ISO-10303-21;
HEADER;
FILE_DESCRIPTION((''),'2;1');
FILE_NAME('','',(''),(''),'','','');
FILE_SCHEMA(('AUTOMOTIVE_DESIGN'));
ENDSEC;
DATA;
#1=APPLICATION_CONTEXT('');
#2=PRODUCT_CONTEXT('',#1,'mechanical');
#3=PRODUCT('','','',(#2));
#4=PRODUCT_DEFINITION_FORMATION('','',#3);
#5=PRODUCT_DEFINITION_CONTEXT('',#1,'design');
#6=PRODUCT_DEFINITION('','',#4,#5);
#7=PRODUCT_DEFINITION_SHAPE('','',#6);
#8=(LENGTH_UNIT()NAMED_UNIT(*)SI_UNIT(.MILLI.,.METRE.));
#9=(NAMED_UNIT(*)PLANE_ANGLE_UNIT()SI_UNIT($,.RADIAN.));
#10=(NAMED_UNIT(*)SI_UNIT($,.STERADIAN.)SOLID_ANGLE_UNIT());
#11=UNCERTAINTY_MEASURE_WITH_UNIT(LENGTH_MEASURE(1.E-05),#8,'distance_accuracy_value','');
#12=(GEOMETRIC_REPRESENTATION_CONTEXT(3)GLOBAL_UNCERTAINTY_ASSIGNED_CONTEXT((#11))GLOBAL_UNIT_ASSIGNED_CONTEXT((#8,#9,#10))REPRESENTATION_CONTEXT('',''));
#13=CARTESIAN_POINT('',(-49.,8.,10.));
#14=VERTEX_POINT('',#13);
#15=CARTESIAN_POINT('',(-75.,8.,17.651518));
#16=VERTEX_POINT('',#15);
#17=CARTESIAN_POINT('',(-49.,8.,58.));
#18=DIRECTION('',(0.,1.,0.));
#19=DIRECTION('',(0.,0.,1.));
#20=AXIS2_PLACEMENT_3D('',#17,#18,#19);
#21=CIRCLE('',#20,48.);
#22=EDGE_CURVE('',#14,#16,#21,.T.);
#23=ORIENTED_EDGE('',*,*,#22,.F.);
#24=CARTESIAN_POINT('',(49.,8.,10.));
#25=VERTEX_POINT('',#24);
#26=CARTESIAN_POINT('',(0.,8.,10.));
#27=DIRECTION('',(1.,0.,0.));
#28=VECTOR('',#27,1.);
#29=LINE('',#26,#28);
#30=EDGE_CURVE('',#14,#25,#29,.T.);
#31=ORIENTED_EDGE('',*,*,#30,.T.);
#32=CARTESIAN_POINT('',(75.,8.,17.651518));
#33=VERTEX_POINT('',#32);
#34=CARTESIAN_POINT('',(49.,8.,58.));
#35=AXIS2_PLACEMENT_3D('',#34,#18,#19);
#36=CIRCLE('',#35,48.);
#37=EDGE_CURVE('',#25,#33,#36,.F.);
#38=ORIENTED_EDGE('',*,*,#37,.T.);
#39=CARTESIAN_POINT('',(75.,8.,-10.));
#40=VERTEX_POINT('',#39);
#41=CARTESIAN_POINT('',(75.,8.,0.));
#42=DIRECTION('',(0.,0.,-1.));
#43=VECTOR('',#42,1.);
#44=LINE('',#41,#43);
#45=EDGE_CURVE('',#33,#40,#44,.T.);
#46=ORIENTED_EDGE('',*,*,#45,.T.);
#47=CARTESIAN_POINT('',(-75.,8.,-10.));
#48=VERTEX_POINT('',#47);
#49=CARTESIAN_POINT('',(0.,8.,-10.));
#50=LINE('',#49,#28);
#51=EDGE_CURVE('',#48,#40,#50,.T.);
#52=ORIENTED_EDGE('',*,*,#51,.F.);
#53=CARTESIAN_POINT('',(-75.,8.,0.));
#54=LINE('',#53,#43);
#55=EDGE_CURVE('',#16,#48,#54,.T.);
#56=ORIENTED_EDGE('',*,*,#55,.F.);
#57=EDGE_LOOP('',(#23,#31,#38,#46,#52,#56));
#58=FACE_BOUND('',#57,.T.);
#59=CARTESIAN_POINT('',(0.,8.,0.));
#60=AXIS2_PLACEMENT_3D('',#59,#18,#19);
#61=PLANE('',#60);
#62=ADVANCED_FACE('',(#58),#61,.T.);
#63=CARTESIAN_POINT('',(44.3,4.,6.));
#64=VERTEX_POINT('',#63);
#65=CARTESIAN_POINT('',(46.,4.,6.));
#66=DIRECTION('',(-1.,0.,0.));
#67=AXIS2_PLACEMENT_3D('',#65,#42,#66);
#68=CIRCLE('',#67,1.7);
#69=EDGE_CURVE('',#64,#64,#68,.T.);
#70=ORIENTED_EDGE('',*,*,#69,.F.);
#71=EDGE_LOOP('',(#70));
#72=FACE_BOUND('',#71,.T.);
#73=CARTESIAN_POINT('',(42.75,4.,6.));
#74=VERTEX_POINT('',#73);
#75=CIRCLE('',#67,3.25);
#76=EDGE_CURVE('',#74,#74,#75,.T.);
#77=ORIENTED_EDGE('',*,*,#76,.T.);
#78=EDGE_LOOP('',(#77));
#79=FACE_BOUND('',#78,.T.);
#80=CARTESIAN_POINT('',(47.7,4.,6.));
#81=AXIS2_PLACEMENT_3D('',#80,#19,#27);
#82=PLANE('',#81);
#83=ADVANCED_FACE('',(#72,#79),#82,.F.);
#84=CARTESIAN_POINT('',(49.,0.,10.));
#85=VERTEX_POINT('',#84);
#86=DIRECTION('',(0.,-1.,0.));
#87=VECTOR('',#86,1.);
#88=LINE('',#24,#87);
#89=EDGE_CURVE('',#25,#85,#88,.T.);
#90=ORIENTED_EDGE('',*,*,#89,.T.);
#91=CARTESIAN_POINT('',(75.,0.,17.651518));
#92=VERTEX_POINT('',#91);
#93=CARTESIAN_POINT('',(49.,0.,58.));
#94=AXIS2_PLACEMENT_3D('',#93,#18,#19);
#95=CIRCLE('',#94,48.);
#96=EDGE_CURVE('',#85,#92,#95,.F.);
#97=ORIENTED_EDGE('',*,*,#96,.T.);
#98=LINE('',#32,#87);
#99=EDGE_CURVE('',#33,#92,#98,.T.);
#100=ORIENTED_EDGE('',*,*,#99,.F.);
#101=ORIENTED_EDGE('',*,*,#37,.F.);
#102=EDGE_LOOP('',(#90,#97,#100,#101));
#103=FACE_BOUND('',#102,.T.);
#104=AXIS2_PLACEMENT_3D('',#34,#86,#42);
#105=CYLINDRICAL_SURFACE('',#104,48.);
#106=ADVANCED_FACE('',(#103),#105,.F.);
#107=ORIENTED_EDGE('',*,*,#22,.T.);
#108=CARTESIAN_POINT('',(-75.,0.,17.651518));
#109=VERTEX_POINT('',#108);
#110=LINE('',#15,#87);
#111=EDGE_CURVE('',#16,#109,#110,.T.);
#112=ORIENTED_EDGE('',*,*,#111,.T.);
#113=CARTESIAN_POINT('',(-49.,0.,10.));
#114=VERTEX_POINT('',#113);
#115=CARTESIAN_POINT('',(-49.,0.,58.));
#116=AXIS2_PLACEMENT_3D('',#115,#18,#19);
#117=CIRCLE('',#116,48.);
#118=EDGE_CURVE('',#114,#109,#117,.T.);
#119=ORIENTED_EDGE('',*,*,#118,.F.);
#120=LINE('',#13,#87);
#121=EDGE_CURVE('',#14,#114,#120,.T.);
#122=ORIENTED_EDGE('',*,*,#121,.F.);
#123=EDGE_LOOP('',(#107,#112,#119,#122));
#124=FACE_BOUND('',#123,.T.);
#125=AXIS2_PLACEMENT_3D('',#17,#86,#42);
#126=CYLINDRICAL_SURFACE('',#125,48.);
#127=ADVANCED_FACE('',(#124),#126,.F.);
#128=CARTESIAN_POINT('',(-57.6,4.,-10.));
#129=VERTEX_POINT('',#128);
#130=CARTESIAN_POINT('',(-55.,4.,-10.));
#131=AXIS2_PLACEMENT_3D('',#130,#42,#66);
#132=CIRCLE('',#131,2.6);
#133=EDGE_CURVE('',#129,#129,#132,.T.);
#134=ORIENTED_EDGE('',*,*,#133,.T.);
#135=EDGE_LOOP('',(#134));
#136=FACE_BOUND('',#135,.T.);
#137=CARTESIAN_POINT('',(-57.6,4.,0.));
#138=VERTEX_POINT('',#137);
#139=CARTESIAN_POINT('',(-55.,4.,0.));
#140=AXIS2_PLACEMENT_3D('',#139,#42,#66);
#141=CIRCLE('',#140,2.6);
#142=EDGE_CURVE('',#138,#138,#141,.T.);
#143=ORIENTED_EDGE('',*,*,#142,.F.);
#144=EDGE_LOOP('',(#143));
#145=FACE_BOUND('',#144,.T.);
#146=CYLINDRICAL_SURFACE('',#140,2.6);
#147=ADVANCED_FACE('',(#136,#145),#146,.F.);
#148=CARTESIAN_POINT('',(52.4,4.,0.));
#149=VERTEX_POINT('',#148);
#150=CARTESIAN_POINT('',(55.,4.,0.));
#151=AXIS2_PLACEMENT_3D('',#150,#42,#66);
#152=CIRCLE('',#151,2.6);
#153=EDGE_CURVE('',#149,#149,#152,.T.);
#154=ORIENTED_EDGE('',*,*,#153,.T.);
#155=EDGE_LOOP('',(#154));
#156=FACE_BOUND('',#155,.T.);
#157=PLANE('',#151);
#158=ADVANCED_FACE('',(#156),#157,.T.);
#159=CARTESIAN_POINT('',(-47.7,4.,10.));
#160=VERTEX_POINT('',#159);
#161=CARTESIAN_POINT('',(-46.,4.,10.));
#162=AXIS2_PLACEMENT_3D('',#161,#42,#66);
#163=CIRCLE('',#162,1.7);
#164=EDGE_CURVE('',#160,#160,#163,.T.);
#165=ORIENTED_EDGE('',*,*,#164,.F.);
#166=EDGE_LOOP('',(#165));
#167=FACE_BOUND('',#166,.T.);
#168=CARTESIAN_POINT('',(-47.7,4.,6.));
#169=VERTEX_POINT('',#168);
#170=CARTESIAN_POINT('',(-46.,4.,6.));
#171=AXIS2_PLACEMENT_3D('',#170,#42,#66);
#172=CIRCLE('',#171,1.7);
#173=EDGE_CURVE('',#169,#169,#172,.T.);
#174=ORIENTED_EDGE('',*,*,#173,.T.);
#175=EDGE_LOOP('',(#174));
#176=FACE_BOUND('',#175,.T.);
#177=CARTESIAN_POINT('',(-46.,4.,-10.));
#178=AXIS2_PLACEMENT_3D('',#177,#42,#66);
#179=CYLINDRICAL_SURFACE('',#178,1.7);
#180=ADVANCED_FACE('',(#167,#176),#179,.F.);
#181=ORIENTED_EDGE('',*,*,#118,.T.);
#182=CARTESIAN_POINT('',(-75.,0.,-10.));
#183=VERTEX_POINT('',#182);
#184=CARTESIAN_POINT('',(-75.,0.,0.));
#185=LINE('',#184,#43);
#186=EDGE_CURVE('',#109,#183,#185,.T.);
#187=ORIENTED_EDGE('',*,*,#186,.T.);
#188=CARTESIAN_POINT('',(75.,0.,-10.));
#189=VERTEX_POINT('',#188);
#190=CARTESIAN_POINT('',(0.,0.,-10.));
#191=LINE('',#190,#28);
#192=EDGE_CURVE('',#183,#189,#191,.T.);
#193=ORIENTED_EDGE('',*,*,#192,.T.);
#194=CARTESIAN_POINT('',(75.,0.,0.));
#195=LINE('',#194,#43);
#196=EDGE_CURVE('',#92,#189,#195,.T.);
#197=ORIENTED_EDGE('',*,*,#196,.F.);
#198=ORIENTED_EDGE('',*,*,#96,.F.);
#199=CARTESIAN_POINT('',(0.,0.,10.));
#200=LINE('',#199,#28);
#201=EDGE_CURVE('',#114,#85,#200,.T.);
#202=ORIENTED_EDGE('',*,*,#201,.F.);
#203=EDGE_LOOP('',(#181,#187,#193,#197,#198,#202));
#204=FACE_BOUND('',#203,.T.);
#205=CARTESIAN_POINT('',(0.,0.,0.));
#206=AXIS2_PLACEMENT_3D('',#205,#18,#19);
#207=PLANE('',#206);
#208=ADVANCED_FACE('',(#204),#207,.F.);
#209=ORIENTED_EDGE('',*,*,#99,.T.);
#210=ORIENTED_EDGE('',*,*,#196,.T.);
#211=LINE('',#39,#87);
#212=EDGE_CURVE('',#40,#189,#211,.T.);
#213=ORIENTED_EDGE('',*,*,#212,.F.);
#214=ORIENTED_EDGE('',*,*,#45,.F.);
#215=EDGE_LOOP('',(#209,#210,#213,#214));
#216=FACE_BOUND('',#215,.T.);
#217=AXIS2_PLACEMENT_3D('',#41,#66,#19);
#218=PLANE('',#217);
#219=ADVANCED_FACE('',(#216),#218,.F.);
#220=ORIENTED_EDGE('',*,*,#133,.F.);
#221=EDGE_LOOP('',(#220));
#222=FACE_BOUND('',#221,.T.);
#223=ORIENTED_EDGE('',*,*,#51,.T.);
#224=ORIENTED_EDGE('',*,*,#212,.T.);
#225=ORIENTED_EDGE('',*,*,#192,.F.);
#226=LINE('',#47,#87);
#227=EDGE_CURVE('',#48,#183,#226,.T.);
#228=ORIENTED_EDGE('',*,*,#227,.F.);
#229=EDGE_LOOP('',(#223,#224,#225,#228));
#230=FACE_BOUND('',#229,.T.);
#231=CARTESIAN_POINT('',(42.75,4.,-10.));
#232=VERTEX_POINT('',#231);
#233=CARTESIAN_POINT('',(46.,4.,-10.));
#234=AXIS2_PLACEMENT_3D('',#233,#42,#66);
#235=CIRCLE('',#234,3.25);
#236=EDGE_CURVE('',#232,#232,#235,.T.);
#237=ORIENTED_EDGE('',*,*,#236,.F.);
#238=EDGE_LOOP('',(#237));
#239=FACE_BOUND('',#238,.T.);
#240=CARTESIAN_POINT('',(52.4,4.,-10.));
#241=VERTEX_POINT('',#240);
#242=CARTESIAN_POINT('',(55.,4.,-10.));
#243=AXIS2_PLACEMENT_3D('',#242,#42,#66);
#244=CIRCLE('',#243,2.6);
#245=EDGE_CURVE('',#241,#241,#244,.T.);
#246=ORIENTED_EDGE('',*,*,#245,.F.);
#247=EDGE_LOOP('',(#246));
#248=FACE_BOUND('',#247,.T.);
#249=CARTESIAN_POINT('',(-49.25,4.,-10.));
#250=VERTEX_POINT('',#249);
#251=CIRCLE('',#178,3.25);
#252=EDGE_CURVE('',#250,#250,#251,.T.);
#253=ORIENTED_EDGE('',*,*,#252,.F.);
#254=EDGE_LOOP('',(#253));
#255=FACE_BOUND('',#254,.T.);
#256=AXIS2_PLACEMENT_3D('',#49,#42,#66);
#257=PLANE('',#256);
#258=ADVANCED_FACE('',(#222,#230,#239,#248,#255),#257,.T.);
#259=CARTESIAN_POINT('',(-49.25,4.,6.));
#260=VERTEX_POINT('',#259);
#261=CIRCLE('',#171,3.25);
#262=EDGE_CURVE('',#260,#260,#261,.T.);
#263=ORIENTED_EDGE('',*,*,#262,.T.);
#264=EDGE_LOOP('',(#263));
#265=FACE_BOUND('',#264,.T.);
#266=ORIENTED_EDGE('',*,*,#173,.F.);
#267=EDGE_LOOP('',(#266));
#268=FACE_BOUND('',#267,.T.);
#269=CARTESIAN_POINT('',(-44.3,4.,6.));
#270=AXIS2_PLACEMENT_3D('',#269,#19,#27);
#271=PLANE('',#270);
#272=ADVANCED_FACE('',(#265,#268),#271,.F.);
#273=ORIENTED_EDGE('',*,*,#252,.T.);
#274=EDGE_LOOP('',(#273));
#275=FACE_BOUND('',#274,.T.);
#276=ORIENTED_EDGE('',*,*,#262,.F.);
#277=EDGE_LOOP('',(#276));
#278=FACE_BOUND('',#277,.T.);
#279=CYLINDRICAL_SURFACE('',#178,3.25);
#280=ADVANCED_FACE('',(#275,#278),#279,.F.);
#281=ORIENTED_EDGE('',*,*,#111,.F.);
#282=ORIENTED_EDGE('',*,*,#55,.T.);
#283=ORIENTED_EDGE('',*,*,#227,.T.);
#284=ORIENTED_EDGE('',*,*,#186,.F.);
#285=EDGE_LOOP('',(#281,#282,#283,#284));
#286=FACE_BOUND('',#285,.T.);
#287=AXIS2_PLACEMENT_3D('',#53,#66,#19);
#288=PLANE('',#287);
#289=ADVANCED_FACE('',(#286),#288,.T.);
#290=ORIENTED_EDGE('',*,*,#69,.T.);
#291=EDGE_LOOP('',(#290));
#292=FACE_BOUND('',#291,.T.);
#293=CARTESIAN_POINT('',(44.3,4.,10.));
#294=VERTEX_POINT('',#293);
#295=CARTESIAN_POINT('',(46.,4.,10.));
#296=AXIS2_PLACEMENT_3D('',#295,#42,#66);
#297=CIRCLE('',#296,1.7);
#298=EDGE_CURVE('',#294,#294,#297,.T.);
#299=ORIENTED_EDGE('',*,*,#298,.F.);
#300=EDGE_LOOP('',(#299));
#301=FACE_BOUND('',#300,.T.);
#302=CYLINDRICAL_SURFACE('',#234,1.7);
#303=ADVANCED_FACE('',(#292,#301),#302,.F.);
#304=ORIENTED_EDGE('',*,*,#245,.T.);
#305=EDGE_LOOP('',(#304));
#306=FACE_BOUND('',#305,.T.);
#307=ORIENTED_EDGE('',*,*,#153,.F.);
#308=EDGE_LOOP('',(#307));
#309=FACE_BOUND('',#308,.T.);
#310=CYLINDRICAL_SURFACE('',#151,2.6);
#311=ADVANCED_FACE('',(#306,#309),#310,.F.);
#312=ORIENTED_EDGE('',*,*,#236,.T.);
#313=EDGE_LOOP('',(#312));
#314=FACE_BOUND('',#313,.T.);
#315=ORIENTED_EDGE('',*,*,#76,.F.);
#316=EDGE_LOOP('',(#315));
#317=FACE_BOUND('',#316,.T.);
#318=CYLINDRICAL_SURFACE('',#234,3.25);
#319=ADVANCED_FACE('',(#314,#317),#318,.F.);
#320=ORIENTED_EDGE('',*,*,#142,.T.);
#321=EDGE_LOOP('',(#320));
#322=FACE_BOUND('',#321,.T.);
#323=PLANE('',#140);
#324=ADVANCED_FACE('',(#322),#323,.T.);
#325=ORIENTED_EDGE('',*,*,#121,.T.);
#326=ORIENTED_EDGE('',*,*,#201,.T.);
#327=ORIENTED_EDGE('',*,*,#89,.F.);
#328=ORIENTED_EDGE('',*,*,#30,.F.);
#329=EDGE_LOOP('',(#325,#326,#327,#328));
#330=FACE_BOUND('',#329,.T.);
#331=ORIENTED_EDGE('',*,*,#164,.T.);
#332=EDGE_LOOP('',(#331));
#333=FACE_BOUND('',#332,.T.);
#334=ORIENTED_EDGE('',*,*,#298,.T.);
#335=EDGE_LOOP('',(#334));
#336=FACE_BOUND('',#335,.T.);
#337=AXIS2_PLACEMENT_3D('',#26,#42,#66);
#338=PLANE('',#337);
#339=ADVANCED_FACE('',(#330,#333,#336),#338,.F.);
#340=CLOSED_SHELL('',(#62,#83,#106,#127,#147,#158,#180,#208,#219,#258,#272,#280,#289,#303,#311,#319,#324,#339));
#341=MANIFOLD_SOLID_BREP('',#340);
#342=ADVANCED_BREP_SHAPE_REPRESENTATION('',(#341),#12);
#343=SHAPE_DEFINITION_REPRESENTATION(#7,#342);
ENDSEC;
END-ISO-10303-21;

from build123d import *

# Parameters (mm, degrees)
EXTRUDE_1_DEPTH              = 8
HOLE_WIZARD_M3_1_D           = 3.4
HOLE_WIZARD_M3_1_CBORE_D     = 6.5
HOLE_WIZARD_M3_1_CBORE_DEPTH = 16
SKETCH_4_R                   = 2.6
CUT_EXTRUDE_1_DEPTH          = 10


with BuildPart() as part:
    # 草图1 → 凸台-拉伸1 (new body)
    with BuildSketch(Plane(origin=(0, 0, 0), x_dir=(1, 0, 0), z_dir=(0, 1, 0))):
        Polygon((-75, -10), (-49, -10), (49, -10), (75, -10), (75, 10), (-75, 10), align=None)
        with BuildLine():
            ThreePointArc((-75, -17.651517996), (-62.551252042, -11.952594339), (-49, -10))
            Line((-49, -10), (-75, -10))
            Line((-75, -10), (-75, -17.651517996))
        make_face()
        with BuildLine():
            Line((75, -10), (49, -10))
            ThreePointArc((49, -10), (62.551252042, -11.952594339), (75, -17.651517996))
            Line((75, -17.651517996), (75, -10))
        make_face()
    extrude(amount=EXTRUDE_1_DEPTH)

    # M3 六角凹头螺钉的柱形沉头孔1 (through all)
    with Locations(Plane(origin=(46, 4, -10), x_dir=(-1, 0, 0), z_dir=(0, 0, -1))):
        with Locations((0, 0), (92, 0)):
            CounterBoreHole(HOLE_WIZARD_M3_1_D / 2, HOLE_WIZARD_M3_1_CBORE_D / 2, HOLE_WIZARD_M3_1_CBORE_DEPTH)

    # 草图4 → 切除-拉伸1 (cut)
    with BuildSketch(Plane(origin=(0, 0, -10), x_dir=(-1, 0, 0), z_dir=(0, 0, -1))):
        with Locations((-55, 4)):
            Circle(SKETCH_4_R)
        with Locations((55, 4)):
            Circle(SKETCH_4_R)
    extrude(amount=-CUT_EXTRUDE_1_DEPTH, mode=Mode.SUBTRACT)


solid = part.part
